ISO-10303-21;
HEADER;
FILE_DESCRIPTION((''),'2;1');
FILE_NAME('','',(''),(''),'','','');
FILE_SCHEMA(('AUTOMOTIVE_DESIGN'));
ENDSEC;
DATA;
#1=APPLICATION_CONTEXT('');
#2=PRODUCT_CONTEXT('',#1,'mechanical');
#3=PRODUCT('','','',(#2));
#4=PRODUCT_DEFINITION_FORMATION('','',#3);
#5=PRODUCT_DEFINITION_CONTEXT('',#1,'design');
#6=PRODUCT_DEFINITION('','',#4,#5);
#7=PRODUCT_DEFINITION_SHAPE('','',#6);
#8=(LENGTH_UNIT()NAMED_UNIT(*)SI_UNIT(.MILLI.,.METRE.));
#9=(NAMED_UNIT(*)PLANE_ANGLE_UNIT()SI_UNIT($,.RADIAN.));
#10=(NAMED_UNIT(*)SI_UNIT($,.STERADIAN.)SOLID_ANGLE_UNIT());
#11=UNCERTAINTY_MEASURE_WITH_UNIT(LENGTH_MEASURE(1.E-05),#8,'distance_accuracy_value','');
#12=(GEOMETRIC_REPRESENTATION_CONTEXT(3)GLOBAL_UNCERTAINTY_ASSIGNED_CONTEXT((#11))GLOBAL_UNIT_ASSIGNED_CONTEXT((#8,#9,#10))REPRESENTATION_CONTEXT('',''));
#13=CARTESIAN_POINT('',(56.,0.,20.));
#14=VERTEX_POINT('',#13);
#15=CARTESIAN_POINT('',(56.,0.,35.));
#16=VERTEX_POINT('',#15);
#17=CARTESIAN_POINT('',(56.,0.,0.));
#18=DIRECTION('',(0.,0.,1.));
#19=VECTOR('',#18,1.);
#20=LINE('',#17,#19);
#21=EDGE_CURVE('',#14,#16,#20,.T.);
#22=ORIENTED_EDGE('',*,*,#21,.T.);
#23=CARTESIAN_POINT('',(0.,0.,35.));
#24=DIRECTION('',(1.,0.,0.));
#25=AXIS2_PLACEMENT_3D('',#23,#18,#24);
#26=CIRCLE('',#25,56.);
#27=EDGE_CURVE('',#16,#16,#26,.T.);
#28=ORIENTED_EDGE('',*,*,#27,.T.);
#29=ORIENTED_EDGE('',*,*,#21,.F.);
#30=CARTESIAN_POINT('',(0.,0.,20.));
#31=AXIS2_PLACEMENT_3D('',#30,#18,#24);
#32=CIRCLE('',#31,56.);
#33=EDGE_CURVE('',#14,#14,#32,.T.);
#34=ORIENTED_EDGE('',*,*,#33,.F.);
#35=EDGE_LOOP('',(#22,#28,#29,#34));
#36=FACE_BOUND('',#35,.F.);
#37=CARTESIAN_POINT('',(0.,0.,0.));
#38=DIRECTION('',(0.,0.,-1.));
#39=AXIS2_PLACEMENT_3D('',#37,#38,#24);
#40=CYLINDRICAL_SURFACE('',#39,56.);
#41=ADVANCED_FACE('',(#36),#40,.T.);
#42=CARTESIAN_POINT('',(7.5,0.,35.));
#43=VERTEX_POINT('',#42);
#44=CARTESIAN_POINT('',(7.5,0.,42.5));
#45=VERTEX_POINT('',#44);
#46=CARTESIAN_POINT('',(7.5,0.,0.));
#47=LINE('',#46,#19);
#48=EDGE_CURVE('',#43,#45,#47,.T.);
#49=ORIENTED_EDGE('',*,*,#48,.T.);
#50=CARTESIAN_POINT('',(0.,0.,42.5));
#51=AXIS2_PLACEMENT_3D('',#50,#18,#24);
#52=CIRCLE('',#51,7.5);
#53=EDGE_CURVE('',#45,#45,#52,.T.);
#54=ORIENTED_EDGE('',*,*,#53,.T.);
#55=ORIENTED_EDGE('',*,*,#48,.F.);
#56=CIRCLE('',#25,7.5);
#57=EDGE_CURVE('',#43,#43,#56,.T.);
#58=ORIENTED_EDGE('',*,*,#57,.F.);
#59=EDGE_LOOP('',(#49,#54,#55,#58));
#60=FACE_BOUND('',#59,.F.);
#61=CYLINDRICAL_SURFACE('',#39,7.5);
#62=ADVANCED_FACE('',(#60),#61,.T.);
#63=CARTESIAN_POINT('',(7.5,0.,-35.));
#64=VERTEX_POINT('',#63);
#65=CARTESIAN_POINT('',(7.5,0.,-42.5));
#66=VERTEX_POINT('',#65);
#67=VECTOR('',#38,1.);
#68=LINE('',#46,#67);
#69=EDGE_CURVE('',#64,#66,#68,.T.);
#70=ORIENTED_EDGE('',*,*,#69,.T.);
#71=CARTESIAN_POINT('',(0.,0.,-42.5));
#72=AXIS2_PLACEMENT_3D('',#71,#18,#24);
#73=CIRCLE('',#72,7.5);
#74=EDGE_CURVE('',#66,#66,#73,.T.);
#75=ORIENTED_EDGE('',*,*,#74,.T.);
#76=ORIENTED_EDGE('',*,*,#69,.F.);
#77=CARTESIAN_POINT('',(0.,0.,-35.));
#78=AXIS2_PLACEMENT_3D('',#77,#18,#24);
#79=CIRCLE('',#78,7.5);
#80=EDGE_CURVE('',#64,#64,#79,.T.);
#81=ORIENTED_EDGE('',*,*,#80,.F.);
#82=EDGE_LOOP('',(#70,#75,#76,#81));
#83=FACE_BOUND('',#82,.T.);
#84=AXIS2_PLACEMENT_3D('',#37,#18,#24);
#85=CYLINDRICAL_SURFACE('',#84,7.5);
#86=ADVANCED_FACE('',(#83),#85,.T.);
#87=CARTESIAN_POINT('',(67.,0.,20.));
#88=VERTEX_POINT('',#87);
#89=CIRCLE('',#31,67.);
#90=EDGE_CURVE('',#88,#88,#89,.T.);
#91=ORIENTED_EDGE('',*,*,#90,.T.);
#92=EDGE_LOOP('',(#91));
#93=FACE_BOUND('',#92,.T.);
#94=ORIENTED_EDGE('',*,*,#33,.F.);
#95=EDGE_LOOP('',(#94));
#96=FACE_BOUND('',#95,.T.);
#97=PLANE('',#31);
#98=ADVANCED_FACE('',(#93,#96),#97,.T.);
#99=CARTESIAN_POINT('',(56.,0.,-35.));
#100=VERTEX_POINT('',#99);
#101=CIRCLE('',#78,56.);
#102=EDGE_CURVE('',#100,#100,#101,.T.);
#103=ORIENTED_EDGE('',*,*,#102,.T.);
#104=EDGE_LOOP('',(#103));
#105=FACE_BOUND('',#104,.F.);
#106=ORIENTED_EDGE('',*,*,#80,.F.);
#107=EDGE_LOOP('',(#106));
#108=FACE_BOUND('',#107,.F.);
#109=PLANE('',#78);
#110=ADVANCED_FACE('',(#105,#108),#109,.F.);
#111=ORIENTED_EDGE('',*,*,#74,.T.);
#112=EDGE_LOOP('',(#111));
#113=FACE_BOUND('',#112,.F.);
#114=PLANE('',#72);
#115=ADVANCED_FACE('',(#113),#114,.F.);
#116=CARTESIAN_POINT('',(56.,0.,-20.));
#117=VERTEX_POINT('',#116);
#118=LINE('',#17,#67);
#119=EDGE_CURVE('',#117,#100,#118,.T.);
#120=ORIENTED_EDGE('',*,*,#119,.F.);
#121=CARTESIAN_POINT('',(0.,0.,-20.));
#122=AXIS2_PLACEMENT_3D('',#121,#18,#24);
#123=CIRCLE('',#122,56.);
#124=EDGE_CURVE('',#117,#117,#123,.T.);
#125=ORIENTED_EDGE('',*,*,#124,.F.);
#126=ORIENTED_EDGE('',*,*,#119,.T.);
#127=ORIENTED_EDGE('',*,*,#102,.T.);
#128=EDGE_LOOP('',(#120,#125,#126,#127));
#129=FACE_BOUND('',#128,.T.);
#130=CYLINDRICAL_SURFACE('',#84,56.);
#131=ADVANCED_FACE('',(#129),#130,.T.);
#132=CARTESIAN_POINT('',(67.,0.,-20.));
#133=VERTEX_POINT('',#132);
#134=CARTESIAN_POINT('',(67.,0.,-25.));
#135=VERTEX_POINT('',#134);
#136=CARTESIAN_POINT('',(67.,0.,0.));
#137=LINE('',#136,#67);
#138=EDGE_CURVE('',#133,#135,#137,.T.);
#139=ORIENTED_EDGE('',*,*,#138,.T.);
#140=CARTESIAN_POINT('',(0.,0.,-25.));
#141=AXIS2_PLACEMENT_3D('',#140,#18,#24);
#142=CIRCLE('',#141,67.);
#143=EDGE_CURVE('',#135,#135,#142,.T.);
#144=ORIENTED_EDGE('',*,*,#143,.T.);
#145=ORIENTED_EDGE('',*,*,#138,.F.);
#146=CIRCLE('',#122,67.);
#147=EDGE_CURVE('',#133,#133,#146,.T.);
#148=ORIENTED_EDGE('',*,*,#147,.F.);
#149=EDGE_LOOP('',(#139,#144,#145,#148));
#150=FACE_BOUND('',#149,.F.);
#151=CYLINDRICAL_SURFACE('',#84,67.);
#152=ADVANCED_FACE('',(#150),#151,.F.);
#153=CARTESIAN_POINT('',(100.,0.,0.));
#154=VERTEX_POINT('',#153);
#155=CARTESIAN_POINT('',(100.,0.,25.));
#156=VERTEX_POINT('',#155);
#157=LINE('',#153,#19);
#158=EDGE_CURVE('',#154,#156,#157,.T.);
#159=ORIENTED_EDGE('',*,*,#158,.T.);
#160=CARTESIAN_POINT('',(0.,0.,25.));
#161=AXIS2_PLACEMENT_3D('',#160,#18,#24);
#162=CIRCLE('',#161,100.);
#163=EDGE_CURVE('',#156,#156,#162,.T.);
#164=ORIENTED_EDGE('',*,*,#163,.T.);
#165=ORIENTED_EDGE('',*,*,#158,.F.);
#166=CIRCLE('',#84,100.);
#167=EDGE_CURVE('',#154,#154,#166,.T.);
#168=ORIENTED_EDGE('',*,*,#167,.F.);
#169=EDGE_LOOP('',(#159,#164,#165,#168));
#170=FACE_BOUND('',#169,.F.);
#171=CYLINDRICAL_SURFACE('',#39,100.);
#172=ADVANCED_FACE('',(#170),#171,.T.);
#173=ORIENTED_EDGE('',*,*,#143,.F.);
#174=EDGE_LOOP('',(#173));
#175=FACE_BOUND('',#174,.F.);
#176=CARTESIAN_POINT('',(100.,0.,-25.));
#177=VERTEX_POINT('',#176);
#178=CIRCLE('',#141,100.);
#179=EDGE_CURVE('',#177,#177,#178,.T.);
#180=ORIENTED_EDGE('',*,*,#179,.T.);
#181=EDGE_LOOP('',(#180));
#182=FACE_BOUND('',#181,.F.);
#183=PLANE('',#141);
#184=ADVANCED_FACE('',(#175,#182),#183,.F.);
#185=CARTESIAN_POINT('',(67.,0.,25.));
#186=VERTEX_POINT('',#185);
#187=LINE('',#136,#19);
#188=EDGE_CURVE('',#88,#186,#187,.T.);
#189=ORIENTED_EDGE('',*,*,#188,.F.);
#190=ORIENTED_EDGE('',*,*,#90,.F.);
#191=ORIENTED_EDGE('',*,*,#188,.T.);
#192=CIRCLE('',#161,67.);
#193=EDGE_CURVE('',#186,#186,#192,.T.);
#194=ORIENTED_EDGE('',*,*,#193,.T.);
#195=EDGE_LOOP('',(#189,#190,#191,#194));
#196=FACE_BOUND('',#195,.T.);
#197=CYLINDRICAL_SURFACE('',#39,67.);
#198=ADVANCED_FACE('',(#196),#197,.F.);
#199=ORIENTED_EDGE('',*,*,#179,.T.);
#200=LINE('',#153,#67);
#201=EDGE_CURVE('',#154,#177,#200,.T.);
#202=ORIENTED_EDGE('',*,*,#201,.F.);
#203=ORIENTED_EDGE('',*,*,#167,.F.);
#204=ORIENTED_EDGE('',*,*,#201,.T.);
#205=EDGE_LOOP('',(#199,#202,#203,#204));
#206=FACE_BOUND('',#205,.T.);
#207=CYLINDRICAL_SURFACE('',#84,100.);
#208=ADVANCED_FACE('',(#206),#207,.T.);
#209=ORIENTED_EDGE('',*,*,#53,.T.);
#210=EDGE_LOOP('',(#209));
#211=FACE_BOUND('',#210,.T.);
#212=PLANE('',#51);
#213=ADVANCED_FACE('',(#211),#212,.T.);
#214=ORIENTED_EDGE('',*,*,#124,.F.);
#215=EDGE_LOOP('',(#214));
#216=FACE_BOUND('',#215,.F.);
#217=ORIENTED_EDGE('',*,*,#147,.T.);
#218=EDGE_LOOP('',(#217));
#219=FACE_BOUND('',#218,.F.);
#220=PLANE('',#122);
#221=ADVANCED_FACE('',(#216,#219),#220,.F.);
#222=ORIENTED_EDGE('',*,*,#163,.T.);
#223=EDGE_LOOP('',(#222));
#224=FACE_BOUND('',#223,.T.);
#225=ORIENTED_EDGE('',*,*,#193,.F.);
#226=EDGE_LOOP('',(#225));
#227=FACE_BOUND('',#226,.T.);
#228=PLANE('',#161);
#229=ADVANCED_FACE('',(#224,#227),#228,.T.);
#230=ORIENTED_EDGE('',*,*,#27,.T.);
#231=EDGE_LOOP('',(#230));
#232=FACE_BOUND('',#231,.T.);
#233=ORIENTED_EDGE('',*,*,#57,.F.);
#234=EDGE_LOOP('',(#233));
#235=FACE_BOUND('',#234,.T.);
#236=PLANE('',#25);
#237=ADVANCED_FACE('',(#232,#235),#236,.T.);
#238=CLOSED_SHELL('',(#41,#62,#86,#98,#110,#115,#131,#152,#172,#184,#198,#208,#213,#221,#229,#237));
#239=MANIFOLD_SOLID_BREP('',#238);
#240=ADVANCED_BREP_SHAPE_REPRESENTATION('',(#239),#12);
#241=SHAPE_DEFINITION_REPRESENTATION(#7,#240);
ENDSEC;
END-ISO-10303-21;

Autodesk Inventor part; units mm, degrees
ref_plane "YZ Plane" through (0, 0, 0) normal (1, 0, 0) x (0, 1, 0)
ref_plane "XZ Plane" through (0, 0, 0) normal (0, 1, 0) x (-1, 0, 0)
ref_plane "XY Plane" through (0, 0, 0) normal (0, 0, 1) x (1, 0, 0)
sketch "Sketch1" plane through (0, 0, 0) normal (0, 0, 1) x (1, 0, 0)
  circle A0 centre (0, 0) radius 100
  circle A1 centre (0, 0) radius 56
  circle A2 centre (0, 0) radius 67
  circle A3 centre (0, 0) radius 7.5
  dimension "d0" = 200
  dimension "d1" = 112
  dimension "d2" = 11
  dimension "d3" = 15
extrude "Extrusion1" add sketch "Sketch1" along normal mid plane 50 contours A0
extrude "Extrusion2" add sketch "Sketch1" along normal mid plane 85 contours A3
extrude "Extrusion3" add sketch "Sketch1" along normal mid plane 70 contours A1
extrude "Extrusion4" add sketch "Sketch1" along normal mid plane 40 contours A2
properties part number "motor at24v"
